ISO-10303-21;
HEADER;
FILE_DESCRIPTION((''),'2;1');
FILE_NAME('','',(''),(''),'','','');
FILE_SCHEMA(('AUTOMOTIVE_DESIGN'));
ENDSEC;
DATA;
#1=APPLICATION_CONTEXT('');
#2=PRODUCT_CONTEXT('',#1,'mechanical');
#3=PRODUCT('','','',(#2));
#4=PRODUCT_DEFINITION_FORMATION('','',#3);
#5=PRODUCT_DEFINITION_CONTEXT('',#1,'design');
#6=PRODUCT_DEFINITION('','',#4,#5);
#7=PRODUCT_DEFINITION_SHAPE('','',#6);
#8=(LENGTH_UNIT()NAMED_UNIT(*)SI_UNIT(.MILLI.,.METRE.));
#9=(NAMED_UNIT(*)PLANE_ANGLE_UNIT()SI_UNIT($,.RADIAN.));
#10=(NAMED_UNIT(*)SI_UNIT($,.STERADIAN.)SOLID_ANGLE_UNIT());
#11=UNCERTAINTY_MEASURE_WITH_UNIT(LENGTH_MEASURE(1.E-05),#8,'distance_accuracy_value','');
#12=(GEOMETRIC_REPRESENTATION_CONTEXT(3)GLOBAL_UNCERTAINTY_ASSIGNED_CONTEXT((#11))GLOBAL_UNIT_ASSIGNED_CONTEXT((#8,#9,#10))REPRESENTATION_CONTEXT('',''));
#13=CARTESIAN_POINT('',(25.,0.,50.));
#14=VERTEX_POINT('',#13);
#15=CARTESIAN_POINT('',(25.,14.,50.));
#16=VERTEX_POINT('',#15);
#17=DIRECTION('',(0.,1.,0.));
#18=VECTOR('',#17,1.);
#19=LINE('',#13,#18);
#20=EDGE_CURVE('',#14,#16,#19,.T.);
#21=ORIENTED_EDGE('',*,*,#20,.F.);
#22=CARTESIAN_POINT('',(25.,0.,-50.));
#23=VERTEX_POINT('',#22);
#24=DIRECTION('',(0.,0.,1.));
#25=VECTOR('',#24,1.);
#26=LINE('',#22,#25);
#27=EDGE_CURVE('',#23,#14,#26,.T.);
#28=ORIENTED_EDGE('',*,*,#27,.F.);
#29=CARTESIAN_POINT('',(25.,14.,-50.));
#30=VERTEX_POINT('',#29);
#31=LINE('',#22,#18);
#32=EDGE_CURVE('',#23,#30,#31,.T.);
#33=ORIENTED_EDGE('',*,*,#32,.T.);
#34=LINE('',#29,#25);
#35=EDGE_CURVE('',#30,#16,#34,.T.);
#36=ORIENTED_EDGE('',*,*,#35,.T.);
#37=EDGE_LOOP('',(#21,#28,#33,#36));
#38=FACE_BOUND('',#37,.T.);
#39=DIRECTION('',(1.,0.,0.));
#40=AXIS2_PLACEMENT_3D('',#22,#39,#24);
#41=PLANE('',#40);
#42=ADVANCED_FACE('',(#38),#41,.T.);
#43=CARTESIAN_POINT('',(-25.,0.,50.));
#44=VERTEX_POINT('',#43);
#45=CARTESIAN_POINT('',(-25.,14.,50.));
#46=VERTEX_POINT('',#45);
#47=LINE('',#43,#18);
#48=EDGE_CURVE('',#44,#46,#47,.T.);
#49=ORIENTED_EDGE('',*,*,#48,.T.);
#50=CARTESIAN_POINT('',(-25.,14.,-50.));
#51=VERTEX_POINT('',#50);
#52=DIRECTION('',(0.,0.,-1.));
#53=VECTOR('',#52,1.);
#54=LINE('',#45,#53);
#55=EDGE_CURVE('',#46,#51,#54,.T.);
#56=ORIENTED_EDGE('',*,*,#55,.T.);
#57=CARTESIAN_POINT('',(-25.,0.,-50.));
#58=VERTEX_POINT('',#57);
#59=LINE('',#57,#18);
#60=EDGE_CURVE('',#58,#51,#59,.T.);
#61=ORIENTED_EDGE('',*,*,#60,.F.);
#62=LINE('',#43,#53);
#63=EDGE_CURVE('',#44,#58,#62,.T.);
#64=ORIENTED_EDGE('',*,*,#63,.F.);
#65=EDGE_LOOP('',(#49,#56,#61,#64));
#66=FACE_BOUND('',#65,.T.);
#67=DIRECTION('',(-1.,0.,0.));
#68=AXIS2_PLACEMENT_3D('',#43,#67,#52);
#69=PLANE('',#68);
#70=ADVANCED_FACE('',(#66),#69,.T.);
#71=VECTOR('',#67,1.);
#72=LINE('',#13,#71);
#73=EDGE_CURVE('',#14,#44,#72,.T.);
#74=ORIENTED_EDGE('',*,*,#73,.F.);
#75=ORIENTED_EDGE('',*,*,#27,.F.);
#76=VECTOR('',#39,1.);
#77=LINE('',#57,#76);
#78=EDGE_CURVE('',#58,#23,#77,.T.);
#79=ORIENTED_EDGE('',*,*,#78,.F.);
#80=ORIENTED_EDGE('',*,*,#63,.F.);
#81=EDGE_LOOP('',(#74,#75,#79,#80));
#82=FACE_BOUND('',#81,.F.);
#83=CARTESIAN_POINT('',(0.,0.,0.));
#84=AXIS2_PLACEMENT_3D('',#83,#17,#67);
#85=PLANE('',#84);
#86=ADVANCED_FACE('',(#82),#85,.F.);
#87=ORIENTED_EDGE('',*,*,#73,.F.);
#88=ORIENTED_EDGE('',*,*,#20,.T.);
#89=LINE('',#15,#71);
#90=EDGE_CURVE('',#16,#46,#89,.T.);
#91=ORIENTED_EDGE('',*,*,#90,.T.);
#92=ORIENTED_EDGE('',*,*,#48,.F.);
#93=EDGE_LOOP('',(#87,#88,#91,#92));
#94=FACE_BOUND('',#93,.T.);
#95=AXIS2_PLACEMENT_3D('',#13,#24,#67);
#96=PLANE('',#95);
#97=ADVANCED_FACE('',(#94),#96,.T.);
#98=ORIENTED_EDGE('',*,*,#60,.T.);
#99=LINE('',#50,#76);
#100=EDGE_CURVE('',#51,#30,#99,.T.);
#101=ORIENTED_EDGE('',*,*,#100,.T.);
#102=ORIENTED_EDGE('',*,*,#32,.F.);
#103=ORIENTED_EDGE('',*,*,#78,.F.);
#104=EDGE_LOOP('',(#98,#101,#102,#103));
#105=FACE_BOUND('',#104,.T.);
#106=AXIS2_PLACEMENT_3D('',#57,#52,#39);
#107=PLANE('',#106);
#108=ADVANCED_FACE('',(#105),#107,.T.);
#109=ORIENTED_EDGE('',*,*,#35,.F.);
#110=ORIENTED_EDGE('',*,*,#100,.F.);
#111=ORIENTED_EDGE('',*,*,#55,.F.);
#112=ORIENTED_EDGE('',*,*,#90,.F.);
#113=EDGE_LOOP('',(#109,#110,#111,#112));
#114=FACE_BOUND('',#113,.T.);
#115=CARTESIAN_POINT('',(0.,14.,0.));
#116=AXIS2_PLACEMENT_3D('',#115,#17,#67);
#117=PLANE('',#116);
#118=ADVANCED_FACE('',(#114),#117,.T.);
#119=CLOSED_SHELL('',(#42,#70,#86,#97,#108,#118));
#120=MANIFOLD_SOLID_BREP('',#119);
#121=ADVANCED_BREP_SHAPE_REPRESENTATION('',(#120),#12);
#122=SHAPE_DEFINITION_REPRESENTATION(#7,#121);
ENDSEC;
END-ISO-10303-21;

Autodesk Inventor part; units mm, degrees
ref_plane "YZ Plane" through (0, 0, 0) normal (1, 0, 0) x (0, 1, 0)
ref_plane "XZ Plane" through (0, 0, 0) normal (0, 1, 0) x (-1, 0, 0)
ref_plane "XY Plane" through (0, 0, 0) normal (0, 0, 1) x (1, 0, 0)
sketch "Sketch1" plane through (0, 0, 0) normal (0, 1, 0) x (-1, 0, 0)
  line L0 (-25, 50) -> (25, 50)
  line L1 (25, 50) -> (25, -50)
  line L2 (25, -50) -> (-25, -50)
  line L3 (-25, -50) -> (-25, 50)
  point P0 (0, 0)
  point P1 (25, 0)
  point P2 (0, 50)
  dimension "d0" = 100
  dimension "d1" = 50
extrude "Extrusion1" add sketch "Sketch1" along normal blind 14
equation "\"d0\" = Mb_width"
equation "\"d1\" = Mb_height"
equation "\"Mb_height\" = 50"
equation "\"Mb_width\" = 100"
properties part number "Mainboard_Placeholder"
